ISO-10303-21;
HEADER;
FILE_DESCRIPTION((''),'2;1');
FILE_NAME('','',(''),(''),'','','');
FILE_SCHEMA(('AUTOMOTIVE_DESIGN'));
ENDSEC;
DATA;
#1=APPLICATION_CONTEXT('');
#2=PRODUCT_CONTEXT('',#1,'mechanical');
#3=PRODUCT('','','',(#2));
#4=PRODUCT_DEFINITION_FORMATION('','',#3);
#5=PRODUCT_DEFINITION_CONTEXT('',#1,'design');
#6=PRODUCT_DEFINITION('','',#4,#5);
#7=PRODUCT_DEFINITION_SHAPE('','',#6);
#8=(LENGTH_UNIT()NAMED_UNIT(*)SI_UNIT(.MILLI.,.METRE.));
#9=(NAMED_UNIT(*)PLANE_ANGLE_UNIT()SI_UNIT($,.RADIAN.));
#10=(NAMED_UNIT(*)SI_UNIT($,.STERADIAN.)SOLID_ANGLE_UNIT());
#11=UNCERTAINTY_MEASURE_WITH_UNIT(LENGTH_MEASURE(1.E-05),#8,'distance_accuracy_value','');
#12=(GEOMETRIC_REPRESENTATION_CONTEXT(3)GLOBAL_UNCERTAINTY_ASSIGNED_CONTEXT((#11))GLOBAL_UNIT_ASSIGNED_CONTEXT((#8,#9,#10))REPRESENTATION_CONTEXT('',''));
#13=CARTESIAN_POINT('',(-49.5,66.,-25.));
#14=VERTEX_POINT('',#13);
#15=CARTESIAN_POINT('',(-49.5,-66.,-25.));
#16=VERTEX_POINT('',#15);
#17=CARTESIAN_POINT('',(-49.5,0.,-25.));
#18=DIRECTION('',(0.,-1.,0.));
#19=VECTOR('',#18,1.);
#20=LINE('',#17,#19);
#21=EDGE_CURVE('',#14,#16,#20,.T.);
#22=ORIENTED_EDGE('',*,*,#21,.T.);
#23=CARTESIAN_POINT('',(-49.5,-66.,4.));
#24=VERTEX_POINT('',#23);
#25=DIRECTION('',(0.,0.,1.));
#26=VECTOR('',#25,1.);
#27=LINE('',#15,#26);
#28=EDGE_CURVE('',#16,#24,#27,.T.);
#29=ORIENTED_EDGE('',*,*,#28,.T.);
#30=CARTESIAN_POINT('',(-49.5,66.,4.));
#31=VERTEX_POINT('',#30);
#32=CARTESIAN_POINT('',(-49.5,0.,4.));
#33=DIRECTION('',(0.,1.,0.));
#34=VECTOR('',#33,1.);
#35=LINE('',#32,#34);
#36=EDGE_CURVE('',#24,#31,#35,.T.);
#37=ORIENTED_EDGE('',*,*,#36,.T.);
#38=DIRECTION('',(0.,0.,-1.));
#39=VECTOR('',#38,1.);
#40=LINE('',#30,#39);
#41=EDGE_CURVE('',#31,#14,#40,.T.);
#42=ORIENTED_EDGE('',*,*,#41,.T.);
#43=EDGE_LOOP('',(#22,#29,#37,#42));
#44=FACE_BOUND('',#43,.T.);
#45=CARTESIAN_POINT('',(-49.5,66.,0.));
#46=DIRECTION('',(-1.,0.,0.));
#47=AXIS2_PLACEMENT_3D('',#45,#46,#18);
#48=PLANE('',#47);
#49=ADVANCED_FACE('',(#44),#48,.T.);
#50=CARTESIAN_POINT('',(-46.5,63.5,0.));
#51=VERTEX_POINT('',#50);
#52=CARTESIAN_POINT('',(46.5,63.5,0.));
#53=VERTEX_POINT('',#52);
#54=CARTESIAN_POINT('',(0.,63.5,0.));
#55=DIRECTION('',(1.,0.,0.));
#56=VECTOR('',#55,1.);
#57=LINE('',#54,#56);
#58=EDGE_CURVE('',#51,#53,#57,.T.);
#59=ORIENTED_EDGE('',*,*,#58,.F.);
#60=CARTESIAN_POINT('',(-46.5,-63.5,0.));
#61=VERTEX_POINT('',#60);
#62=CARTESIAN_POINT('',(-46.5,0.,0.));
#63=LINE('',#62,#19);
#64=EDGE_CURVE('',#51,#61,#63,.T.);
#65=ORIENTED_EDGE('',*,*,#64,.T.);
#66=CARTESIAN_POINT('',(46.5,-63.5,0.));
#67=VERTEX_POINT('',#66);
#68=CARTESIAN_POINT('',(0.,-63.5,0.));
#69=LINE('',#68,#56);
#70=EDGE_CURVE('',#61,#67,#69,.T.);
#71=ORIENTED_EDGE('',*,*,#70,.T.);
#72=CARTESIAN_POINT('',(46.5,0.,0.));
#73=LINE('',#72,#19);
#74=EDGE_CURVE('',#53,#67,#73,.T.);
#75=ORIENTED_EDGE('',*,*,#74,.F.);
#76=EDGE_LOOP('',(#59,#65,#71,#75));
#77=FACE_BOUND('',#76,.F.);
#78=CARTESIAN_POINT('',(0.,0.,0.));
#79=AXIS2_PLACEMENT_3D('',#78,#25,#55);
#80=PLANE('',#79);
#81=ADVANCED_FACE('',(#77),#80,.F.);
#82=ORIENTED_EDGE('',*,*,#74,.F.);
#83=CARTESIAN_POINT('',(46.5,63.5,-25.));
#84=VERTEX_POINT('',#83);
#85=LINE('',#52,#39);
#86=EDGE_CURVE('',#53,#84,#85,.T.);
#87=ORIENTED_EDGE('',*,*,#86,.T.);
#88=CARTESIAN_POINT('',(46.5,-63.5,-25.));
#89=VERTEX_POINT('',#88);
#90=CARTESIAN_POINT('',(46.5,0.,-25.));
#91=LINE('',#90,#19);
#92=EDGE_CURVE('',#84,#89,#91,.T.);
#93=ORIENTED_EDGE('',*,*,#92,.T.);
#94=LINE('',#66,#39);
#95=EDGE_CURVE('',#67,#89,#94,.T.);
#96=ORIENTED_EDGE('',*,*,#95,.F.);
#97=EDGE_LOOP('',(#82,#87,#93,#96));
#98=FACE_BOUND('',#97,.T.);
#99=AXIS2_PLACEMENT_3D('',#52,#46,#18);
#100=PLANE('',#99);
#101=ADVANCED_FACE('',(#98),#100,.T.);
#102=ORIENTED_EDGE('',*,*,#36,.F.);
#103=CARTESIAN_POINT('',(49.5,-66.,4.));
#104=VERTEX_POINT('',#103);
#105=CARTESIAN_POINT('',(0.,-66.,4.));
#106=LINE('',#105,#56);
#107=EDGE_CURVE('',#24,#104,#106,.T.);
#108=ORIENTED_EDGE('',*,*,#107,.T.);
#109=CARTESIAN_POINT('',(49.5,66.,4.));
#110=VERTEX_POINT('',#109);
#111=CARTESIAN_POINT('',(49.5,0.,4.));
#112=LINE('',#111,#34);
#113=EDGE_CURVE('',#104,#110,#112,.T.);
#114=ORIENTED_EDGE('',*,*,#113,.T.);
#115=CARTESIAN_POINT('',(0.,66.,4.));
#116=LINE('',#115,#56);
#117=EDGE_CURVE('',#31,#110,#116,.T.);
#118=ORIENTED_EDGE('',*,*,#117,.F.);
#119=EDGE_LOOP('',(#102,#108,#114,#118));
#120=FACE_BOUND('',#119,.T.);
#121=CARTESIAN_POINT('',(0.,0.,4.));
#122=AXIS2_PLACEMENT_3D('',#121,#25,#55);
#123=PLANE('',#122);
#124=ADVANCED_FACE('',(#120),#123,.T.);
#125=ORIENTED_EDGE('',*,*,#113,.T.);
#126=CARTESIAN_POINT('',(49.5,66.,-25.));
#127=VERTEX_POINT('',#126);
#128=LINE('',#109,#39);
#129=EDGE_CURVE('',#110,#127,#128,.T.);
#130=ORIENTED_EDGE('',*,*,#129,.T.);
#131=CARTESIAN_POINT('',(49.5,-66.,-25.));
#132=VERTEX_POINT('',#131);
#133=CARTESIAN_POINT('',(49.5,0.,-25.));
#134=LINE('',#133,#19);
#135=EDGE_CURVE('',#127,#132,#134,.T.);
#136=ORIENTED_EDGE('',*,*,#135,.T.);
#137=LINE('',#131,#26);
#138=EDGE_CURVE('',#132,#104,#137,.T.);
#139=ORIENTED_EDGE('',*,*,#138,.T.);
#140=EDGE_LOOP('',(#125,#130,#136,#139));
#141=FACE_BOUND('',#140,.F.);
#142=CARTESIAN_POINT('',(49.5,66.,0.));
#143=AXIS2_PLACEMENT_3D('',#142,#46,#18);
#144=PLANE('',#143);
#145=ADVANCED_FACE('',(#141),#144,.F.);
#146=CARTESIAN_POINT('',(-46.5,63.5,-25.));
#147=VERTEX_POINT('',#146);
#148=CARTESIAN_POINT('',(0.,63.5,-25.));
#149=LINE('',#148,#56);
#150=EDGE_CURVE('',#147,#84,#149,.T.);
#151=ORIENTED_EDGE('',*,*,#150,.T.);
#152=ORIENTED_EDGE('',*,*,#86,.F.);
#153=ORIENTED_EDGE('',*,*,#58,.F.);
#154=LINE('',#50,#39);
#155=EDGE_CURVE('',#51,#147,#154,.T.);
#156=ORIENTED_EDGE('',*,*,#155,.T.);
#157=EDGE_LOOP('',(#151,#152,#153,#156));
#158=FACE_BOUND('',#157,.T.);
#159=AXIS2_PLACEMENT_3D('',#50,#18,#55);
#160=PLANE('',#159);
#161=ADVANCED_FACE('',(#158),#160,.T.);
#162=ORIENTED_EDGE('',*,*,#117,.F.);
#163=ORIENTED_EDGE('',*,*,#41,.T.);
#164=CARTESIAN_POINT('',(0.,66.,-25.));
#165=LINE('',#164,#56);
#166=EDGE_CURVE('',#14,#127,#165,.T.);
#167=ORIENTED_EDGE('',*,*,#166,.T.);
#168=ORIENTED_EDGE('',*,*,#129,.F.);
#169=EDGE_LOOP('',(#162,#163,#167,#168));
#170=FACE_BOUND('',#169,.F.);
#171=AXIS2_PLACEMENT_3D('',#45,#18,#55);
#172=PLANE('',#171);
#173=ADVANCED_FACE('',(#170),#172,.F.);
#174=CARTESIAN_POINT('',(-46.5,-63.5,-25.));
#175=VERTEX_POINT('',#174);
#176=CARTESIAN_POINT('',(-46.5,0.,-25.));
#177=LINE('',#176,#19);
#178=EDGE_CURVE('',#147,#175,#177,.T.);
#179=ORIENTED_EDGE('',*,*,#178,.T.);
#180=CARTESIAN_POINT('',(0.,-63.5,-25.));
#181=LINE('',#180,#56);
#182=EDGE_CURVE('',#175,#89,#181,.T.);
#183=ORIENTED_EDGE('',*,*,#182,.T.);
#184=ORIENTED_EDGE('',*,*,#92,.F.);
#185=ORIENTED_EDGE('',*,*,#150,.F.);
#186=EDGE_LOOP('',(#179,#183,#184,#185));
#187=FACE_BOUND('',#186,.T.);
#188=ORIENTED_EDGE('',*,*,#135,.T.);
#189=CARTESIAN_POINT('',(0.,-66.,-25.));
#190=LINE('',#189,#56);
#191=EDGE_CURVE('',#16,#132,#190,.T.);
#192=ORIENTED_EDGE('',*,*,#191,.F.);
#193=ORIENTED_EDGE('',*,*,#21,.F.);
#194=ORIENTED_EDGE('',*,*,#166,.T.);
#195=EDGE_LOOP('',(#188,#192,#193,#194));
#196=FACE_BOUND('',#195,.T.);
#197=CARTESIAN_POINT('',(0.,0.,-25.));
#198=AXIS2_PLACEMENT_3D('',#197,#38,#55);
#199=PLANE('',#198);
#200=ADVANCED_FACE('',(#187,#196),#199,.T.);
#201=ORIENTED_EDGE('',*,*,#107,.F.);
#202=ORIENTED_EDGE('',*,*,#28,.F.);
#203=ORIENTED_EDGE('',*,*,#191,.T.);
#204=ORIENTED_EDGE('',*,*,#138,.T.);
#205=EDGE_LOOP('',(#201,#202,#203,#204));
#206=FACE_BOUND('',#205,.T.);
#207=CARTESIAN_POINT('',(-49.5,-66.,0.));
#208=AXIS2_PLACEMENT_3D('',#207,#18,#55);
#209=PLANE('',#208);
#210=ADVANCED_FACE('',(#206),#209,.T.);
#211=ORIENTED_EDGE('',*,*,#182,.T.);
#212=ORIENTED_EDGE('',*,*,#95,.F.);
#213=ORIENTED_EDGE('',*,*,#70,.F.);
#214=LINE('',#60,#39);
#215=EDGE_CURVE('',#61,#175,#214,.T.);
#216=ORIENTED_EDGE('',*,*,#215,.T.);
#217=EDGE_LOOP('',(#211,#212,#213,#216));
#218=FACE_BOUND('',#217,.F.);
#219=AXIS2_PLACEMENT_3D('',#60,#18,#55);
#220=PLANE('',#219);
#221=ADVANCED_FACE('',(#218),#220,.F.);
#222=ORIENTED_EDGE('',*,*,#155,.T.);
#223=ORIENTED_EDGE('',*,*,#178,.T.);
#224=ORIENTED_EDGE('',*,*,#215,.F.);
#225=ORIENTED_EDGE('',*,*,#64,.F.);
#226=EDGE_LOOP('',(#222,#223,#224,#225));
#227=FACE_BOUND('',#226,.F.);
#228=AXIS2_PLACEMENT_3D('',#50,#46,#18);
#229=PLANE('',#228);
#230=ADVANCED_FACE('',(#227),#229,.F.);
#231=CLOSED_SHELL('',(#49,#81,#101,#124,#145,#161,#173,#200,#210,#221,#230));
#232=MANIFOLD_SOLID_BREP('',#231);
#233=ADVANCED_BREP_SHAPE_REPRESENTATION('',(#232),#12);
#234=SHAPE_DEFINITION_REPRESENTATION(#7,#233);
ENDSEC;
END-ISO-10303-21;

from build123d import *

# Parameters (mm, degrees)
F0_W     = 99
F0_H     = 132
F1_DEPTH = 4
F2_W     = 99
F2_H     = 132
F2_W_2   = 93
F2_H_2   = 127
F3_DEPTH = 25


with BuildPart() as f1:
    # F0 (on Top) → F1 (new body)
    with BuildSketch(Plane.XY):
        Rectangle(F0_W, F0_H)
    extrude(amount=F1_DEPTH)

    # F2 (on face) → F3 (join)
    with BuildSketch(Plane(origin=(0, 0, 0), x_dir=(1, 0, 0), z_dir=(0, 0, -1))):
        Rectangle(F2_W, F2_H)
        Rectangle(F2_W_2, F2_H_2, mode=Mode.SUBTRACT)
    extrude(amount=F3_DEPTH)


solid = f1.part
